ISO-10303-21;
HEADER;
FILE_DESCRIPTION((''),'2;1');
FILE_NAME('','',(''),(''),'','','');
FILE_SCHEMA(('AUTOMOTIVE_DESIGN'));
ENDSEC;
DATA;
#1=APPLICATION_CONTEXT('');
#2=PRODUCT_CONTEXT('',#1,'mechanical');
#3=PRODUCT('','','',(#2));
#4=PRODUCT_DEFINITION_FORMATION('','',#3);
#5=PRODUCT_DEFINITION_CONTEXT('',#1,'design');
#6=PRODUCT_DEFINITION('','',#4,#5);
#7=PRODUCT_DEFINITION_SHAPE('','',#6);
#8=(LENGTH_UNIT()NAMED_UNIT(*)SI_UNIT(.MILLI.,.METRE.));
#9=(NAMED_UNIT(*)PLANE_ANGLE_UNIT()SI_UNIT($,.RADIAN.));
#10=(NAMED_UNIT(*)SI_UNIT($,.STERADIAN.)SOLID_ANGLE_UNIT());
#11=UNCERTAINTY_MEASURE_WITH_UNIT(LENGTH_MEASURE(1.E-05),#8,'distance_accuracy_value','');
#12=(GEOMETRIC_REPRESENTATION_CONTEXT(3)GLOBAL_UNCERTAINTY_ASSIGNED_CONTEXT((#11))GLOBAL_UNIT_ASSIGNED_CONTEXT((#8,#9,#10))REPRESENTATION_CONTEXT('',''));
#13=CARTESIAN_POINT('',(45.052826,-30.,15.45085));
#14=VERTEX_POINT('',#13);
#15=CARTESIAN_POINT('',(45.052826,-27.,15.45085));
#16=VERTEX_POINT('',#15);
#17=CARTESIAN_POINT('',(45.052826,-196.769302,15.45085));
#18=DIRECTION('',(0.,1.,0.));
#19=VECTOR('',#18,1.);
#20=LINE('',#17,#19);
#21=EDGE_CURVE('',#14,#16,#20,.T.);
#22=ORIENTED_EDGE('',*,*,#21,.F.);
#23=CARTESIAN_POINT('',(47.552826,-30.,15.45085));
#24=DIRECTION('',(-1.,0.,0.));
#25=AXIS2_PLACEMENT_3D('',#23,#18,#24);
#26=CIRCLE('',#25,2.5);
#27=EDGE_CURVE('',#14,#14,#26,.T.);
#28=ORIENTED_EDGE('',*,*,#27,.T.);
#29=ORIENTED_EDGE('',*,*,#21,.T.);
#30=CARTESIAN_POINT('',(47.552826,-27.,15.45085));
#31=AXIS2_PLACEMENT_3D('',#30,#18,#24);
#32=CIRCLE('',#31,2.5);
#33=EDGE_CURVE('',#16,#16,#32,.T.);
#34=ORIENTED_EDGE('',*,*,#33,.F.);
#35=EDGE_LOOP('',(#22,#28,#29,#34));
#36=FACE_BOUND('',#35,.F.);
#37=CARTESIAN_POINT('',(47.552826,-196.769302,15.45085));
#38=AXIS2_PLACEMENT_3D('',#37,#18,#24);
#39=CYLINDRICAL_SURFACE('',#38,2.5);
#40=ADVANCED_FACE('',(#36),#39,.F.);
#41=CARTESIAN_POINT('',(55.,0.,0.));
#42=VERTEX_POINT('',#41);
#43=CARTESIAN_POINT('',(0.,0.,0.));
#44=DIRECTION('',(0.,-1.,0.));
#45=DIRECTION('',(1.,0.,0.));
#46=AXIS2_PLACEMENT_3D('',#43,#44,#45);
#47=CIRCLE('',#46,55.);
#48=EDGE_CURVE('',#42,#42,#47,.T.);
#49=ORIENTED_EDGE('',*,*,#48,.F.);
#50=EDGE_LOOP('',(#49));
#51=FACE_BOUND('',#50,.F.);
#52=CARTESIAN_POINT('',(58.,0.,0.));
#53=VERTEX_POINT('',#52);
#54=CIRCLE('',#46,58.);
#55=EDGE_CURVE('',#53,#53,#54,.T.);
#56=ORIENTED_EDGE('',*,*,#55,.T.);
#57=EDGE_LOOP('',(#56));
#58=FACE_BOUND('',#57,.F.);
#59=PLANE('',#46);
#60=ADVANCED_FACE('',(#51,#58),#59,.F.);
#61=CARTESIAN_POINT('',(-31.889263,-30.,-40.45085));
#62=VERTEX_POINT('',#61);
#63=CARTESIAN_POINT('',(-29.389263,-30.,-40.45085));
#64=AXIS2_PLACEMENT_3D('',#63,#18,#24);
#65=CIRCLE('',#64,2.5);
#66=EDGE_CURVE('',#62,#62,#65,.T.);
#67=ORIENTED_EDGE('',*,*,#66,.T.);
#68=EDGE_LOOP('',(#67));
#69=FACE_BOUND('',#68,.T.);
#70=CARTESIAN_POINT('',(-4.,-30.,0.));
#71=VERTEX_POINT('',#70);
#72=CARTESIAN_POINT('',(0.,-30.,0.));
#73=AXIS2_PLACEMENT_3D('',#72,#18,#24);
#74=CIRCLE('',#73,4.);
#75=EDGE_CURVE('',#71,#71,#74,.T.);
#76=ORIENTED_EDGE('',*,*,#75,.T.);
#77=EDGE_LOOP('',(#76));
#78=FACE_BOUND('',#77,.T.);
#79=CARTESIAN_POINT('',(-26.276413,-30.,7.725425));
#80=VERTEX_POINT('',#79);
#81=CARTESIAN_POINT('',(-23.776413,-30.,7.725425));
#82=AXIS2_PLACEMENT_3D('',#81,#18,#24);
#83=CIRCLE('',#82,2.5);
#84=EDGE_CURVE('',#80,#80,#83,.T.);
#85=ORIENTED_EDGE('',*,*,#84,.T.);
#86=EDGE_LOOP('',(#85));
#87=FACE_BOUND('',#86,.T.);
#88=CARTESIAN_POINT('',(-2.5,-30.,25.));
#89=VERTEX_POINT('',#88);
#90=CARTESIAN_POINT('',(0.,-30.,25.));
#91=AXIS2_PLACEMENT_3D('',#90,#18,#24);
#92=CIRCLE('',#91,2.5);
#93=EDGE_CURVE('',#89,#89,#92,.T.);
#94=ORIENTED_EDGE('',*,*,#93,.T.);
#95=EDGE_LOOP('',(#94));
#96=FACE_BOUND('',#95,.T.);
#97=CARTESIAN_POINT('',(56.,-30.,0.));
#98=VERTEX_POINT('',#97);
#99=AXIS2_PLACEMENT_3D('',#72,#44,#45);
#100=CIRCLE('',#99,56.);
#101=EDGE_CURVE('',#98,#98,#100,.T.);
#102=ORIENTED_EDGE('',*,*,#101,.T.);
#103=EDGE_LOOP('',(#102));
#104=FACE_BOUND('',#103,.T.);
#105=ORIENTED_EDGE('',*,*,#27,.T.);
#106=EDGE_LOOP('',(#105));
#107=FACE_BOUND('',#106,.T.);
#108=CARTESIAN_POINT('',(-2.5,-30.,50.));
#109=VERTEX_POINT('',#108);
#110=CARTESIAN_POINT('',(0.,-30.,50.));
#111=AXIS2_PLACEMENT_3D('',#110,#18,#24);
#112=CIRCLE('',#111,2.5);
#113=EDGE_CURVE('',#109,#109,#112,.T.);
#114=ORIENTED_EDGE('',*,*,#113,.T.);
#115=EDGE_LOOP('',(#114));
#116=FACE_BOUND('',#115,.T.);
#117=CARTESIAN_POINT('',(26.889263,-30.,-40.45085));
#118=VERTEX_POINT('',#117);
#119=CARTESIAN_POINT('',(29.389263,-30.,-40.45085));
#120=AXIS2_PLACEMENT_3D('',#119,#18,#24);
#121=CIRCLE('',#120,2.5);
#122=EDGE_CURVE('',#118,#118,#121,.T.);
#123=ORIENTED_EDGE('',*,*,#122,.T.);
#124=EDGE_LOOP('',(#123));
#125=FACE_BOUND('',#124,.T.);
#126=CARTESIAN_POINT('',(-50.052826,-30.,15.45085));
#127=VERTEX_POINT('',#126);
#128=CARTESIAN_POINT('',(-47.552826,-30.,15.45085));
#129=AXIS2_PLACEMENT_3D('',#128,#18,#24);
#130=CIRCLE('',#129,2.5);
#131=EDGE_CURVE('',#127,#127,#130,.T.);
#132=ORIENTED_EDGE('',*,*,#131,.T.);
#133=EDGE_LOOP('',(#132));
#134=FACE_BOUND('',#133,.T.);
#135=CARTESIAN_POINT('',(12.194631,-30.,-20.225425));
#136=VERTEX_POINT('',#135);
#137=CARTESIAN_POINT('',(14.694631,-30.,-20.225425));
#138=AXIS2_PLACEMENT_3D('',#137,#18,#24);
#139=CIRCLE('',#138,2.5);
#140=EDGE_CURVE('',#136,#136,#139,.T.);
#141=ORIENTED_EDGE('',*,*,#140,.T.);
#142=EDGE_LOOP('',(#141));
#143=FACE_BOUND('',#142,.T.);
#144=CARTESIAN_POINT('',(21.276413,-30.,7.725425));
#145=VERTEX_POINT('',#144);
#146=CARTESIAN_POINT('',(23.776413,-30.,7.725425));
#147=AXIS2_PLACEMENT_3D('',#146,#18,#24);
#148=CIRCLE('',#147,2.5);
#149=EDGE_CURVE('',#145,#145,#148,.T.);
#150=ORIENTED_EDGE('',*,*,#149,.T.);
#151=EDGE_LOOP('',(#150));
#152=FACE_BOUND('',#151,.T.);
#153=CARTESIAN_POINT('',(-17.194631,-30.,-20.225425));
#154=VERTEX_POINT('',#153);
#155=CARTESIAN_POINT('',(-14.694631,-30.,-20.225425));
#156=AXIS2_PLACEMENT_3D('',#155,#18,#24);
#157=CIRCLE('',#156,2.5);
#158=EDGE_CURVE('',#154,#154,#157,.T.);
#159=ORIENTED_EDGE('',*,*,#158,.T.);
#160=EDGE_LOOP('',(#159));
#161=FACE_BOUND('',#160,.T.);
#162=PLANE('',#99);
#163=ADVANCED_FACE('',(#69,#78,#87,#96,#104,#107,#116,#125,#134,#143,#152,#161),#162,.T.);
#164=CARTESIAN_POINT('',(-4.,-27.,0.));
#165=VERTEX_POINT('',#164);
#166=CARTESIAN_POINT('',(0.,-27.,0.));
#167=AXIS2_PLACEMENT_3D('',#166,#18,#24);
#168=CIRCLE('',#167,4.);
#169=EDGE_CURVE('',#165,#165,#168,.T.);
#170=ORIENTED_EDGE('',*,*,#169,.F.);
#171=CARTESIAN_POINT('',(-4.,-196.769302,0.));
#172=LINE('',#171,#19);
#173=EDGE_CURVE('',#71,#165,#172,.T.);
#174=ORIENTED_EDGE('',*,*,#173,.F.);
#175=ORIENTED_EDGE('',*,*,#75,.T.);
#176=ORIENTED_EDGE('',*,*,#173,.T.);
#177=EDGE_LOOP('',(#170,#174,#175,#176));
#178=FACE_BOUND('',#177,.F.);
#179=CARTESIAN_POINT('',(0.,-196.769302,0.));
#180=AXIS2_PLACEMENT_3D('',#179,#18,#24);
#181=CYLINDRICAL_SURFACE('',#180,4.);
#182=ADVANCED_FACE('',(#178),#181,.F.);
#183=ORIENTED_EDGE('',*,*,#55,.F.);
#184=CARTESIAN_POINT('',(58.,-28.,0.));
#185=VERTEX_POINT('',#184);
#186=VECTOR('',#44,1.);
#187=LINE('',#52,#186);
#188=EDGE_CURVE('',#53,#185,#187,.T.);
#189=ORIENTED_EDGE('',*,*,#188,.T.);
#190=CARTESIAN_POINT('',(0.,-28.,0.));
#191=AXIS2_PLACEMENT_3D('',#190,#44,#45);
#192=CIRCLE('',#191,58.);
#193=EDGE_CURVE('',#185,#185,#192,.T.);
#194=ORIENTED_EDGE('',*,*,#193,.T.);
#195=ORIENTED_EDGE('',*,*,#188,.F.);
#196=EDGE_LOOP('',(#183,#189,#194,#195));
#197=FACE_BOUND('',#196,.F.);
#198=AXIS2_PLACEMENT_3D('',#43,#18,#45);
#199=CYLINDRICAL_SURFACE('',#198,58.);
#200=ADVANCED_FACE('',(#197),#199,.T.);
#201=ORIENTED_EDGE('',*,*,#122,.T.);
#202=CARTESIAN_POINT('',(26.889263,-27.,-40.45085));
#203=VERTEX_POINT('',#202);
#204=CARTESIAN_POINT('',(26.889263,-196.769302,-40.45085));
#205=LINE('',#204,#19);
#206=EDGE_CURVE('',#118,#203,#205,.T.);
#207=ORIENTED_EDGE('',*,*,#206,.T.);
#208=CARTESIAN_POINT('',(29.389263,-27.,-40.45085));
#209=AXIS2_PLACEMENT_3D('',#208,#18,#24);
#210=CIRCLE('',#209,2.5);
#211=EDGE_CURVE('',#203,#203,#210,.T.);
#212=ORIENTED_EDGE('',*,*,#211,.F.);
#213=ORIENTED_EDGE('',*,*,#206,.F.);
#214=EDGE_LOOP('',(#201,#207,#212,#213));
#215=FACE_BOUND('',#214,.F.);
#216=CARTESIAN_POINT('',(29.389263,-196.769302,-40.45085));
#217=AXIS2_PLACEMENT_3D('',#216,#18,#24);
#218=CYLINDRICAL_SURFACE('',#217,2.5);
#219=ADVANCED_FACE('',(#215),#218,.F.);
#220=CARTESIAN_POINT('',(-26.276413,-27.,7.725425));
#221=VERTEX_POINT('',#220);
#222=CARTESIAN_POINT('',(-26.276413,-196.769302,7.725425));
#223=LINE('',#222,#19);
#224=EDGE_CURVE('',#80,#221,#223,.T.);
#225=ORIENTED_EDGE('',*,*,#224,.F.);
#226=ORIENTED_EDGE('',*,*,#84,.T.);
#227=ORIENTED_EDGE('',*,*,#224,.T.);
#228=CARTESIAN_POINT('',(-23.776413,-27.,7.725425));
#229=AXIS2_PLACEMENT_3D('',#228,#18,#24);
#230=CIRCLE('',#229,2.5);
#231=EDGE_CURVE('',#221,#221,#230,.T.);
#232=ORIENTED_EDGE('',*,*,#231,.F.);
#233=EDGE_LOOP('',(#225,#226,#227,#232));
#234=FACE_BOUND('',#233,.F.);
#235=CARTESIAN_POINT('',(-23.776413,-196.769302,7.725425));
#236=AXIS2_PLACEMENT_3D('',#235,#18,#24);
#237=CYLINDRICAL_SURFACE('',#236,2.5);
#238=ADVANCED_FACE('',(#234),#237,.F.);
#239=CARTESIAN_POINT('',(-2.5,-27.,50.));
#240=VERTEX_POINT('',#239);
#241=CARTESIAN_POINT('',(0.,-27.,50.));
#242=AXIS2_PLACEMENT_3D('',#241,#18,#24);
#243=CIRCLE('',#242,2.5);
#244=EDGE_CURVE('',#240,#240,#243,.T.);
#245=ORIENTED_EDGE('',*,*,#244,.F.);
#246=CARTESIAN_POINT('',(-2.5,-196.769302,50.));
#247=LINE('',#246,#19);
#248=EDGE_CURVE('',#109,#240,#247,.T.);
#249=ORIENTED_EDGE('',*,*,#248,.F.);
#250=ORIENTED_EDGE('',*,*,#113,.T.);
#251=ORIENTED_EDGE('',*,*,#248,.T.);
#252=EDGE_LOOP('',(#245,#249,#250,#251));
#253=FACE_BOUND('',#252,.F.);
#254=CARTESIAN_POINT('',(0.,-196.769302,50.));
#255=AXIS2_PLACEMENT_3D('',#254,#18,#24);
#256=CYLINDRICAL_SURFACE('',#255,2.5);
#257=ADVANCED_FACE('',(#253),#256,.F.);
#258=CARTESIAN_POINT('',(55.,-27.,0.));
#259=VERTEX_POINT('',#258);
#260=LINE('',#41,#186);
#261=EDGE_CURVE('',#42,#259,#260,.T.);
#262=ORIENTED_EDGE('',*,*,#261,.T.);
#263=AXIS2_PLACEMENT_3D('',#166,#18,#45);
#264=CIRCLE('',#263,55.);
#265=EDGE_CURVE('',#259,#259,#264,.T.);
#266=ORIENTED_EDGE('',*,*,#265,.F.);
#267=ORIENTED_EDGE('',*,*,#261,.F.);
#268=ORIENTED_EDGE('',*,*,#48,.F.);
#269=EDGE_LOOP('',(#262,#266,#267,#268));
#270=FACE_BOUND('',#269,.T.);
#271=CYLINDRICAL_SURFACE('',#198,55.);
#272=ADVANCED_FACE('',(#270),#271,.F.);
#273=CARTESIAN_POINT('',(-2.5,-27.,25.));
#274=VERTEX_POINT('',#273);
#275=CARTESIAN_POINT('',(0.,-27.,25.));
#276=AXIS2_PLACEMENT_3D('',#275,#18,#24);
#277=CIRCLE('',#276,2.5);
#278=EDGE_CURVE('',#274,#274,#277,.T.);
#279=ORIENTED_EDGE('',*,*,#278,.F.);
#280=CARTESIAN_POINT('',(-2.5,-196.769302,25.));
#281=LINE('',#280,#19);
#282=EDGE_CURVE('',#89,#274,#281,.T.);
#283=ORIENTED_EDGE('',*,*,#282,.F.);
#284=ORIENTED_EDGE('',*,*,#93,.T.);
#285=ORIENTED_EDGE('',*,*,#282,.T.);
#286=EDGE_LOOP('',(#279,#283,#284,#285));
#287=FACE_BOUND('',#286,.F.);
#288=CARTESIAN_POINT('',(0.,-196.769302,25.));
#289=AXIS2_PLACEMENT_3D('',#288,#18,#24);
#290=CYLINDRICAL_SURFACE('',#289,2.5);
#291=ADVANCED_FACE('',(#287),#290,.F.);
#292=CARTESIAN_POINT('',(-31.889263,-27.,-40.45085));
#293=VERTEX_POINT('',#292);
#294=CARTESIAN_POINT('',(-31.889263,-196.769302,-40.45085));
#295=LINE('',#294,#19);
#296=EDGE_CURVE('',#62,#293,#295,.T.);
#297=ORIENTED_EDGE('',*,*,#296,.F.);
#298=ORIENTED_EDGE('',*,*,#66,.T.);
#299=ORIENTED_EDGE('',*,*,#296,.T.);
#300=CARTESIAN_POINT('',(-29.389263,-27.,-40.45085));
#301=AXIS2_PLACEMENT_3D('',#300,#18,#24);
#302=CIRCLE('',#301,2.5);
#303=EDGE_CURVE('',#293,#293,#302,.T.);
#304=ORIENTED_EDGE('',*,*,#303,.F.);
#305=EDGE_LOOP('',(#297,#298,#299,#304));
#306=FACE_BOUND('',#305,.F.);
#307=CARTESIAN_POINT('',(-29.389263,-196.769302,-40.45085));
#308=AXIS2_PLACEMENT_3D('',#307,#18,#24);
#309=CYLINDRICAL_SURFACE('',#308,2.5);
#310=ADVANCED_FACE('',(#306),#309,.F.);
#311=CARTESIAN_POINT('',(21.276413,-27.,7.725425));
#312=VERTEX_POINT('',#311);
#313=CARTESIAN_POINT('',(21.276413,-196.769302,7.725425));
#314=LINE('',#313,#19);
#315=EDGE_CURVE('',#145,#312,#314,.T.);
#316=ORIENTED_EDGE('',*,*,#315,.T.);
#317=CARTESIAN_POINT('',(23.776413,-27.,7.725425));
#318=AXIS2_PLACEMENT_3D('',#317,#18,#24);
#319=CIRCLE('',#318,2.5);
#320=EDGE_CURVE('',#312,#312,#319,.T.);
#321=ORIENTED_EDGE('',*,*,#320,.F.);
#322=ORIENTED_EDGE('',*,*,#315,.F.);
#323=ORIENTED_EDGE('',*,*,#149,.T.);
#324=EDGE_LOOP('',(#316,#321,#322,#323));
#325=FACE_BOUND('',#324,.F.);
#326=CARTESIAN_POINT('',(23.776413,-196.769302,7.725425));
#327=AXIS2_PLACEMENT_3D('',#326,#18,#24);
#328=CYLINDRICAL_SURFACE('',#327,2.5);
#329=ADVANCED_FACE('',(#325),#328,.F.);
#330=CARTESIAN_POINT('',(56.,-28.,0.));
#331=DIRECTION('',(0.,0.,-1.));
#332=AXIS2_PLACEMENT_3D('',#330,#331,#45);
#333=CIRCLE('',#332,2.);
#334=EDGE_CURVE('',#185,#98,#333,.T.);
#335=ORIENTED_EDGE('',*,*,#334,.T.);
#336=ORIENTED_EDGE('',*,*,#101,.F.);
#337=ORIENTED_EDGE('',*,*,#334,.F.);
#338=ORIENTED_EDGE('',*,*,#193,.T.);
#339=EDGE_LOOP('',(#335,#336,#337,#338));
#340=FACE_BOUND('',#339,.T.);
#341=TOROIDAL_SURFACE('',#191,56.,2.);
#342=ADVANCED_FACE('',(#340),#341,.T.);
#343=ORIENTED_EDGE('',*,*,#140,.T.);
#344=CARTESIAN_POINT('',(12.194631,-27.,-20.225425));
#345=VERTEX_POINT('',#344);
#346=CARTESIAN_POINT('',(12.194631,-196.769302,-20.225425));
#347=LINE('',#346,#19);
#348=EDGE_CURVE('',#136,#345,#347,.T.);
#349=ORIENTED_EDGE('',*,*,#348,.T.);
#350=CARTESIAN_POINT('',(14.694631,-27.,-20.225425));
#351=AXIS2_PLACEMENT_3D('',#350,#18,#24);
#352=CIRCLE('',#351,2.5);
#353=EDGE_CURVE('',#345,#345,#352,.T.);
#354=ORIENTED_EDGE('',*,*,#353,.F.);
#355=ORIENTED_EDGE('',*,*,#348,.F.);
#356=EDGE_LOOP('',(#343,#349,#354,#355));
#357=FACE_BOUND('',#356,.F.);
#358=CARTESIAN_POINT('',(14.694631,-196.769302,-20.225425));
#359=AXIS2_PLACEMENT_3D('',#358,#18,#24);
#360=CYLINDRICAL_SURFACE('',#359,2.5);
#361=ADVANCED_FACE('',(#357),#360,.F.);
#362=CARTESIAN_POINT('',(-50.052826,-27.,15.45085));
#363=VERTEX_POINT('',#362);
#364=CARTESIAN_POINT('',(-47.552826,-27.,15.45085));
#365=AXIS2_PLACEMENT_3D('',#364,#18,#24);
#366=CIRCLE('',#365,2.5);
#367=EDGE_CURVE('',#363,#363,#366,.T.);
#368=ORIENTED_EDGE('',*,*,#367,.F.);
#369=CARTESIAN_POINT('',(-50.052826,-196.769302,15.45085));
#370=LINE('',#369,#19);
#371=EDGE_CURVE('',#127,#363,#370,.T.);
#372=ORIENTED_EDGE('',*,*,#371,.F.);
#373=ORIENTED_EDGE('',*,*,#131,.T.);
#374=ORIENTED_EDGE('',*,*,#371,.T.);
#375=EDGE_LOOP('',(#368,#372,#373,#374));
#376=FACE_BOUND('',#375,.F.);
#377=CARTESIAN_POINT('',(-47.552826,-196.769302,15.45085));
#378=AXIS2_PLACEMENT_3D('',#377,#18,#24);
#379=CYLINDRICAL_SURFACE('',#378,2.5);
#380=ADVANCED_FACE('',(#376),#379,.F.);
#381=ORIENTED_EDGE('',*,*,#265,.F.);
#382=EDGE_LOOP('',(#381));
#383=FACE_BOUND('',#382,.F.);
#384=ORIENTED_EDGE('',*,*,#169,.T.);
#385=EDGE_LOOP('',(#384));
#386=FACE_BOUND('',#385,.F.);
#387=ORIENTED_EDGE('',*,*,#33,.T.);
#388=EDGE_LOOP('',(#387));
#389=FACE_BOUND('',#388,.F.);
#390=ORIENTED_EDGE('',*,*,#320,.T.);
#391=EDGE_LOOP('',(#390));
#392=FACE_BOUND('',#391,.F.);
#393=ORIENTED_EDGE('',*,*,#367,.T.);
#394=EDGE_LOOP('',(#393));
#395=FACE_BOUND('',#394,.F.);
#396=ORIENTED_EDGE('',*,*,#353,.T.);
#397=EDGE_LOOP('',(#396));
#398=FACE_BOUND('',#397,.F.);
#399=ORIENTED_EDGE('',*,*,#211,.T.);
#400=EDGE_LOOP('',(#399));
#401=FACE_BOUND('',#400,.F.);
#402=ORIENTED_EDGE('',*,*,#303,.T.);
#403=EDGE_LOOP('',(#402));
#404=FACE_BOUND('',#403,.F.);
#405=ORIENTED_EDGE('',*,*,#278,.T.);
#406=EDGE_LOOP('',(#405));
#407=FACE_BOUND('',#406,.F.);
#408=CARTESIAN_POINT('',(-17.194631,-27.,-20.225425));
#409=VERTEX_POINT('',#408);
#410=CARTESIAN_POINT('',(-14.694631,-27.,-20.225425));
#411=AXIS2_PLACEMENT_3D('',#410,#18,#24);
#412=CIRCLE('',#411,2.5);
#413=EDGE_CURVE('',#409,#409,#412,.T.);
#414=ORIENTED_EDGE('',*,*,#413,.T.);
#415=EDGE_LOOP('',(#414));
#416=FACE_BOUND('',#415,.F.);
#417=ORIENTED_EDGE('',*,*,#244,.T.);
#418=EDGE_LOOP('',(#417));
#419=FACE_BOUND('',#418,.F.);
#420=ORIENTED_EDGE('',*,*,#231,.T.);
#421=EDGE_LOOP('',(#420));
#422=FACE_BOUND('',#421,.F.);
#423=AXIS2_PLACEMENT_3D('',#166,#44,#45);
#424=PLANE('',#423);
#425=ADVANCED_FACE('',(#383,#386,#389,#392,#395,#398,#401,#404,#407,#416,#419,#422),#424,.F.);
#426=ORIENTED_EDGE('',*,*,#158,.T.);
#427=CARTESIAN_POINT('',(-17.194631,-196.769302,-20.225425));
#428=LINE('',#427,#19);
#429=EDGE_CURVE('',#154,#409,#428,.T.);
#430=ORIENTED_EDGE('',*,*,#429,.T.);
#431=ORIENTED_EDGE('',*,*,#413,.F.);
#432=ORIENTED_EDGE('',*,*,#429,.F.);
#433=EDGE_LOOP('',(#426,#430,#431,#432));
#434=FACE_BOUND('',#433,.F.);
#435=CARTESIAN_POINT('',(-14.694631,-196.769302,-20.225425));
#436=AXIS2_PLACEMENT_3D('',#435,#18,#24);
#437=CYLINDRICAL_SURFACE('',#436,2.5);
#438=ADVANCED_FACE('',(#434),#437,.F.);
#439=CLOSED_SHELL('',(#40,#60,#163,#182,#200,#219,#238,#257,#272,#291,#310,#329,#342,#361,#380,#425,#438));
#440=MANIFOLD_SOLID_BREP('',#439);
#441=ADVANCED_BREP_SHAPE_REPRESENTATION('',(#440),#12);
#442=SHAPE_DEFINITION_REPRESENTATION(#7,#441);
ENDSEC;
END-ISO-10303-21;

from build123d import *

# Parameters (mm, degrees)
F0_R     = 58
F1_DEPTH = 30
F2_T     = -3
F3_R     = 2
F5_D     = 8
F7_D     = 5


with BuildPart() as f1:
    # F0 (on Front) → F1 (new body)
    with BuildSketch(Plane.XZ):
        Circle(F0_R)
    extrude(amount=F1_DEPTH)

    # F2
    f2_openings = [f1.faces().sort_by_distance(p)[0] for p in [
        (0, 0, 0),
    ]]
    offset(amount=F2_T, openings=f2_openings)

    # F3
    f3_edges = [f1.edges().sort_by_distance(p)[0] for p in [
        (-58, -30, 0),
    ]]
    fillet(f3_edges, radius=F3_R)

    # F5 (through all)
    with Locations(Plane.XZ.offset(30)):
        with Locations((0, 0)):
            Hole(F5_D / 2)

    # F7 (through all)
    with Locations(Plane.XZ.offset(30)):
        with Locations((0, 25), (0, 50), (-23.776413, 7.725425), (-47.552826, 15.45085), (-29.389263, -40.45085), (-14.694631, -20.225425), (14.694631, -20.225425), (29.389263, -40.45085), (23.776413, 7.725425), (47.552826, 15.45085)):
            Hole(F7_D / 2)


solid = f1.part
